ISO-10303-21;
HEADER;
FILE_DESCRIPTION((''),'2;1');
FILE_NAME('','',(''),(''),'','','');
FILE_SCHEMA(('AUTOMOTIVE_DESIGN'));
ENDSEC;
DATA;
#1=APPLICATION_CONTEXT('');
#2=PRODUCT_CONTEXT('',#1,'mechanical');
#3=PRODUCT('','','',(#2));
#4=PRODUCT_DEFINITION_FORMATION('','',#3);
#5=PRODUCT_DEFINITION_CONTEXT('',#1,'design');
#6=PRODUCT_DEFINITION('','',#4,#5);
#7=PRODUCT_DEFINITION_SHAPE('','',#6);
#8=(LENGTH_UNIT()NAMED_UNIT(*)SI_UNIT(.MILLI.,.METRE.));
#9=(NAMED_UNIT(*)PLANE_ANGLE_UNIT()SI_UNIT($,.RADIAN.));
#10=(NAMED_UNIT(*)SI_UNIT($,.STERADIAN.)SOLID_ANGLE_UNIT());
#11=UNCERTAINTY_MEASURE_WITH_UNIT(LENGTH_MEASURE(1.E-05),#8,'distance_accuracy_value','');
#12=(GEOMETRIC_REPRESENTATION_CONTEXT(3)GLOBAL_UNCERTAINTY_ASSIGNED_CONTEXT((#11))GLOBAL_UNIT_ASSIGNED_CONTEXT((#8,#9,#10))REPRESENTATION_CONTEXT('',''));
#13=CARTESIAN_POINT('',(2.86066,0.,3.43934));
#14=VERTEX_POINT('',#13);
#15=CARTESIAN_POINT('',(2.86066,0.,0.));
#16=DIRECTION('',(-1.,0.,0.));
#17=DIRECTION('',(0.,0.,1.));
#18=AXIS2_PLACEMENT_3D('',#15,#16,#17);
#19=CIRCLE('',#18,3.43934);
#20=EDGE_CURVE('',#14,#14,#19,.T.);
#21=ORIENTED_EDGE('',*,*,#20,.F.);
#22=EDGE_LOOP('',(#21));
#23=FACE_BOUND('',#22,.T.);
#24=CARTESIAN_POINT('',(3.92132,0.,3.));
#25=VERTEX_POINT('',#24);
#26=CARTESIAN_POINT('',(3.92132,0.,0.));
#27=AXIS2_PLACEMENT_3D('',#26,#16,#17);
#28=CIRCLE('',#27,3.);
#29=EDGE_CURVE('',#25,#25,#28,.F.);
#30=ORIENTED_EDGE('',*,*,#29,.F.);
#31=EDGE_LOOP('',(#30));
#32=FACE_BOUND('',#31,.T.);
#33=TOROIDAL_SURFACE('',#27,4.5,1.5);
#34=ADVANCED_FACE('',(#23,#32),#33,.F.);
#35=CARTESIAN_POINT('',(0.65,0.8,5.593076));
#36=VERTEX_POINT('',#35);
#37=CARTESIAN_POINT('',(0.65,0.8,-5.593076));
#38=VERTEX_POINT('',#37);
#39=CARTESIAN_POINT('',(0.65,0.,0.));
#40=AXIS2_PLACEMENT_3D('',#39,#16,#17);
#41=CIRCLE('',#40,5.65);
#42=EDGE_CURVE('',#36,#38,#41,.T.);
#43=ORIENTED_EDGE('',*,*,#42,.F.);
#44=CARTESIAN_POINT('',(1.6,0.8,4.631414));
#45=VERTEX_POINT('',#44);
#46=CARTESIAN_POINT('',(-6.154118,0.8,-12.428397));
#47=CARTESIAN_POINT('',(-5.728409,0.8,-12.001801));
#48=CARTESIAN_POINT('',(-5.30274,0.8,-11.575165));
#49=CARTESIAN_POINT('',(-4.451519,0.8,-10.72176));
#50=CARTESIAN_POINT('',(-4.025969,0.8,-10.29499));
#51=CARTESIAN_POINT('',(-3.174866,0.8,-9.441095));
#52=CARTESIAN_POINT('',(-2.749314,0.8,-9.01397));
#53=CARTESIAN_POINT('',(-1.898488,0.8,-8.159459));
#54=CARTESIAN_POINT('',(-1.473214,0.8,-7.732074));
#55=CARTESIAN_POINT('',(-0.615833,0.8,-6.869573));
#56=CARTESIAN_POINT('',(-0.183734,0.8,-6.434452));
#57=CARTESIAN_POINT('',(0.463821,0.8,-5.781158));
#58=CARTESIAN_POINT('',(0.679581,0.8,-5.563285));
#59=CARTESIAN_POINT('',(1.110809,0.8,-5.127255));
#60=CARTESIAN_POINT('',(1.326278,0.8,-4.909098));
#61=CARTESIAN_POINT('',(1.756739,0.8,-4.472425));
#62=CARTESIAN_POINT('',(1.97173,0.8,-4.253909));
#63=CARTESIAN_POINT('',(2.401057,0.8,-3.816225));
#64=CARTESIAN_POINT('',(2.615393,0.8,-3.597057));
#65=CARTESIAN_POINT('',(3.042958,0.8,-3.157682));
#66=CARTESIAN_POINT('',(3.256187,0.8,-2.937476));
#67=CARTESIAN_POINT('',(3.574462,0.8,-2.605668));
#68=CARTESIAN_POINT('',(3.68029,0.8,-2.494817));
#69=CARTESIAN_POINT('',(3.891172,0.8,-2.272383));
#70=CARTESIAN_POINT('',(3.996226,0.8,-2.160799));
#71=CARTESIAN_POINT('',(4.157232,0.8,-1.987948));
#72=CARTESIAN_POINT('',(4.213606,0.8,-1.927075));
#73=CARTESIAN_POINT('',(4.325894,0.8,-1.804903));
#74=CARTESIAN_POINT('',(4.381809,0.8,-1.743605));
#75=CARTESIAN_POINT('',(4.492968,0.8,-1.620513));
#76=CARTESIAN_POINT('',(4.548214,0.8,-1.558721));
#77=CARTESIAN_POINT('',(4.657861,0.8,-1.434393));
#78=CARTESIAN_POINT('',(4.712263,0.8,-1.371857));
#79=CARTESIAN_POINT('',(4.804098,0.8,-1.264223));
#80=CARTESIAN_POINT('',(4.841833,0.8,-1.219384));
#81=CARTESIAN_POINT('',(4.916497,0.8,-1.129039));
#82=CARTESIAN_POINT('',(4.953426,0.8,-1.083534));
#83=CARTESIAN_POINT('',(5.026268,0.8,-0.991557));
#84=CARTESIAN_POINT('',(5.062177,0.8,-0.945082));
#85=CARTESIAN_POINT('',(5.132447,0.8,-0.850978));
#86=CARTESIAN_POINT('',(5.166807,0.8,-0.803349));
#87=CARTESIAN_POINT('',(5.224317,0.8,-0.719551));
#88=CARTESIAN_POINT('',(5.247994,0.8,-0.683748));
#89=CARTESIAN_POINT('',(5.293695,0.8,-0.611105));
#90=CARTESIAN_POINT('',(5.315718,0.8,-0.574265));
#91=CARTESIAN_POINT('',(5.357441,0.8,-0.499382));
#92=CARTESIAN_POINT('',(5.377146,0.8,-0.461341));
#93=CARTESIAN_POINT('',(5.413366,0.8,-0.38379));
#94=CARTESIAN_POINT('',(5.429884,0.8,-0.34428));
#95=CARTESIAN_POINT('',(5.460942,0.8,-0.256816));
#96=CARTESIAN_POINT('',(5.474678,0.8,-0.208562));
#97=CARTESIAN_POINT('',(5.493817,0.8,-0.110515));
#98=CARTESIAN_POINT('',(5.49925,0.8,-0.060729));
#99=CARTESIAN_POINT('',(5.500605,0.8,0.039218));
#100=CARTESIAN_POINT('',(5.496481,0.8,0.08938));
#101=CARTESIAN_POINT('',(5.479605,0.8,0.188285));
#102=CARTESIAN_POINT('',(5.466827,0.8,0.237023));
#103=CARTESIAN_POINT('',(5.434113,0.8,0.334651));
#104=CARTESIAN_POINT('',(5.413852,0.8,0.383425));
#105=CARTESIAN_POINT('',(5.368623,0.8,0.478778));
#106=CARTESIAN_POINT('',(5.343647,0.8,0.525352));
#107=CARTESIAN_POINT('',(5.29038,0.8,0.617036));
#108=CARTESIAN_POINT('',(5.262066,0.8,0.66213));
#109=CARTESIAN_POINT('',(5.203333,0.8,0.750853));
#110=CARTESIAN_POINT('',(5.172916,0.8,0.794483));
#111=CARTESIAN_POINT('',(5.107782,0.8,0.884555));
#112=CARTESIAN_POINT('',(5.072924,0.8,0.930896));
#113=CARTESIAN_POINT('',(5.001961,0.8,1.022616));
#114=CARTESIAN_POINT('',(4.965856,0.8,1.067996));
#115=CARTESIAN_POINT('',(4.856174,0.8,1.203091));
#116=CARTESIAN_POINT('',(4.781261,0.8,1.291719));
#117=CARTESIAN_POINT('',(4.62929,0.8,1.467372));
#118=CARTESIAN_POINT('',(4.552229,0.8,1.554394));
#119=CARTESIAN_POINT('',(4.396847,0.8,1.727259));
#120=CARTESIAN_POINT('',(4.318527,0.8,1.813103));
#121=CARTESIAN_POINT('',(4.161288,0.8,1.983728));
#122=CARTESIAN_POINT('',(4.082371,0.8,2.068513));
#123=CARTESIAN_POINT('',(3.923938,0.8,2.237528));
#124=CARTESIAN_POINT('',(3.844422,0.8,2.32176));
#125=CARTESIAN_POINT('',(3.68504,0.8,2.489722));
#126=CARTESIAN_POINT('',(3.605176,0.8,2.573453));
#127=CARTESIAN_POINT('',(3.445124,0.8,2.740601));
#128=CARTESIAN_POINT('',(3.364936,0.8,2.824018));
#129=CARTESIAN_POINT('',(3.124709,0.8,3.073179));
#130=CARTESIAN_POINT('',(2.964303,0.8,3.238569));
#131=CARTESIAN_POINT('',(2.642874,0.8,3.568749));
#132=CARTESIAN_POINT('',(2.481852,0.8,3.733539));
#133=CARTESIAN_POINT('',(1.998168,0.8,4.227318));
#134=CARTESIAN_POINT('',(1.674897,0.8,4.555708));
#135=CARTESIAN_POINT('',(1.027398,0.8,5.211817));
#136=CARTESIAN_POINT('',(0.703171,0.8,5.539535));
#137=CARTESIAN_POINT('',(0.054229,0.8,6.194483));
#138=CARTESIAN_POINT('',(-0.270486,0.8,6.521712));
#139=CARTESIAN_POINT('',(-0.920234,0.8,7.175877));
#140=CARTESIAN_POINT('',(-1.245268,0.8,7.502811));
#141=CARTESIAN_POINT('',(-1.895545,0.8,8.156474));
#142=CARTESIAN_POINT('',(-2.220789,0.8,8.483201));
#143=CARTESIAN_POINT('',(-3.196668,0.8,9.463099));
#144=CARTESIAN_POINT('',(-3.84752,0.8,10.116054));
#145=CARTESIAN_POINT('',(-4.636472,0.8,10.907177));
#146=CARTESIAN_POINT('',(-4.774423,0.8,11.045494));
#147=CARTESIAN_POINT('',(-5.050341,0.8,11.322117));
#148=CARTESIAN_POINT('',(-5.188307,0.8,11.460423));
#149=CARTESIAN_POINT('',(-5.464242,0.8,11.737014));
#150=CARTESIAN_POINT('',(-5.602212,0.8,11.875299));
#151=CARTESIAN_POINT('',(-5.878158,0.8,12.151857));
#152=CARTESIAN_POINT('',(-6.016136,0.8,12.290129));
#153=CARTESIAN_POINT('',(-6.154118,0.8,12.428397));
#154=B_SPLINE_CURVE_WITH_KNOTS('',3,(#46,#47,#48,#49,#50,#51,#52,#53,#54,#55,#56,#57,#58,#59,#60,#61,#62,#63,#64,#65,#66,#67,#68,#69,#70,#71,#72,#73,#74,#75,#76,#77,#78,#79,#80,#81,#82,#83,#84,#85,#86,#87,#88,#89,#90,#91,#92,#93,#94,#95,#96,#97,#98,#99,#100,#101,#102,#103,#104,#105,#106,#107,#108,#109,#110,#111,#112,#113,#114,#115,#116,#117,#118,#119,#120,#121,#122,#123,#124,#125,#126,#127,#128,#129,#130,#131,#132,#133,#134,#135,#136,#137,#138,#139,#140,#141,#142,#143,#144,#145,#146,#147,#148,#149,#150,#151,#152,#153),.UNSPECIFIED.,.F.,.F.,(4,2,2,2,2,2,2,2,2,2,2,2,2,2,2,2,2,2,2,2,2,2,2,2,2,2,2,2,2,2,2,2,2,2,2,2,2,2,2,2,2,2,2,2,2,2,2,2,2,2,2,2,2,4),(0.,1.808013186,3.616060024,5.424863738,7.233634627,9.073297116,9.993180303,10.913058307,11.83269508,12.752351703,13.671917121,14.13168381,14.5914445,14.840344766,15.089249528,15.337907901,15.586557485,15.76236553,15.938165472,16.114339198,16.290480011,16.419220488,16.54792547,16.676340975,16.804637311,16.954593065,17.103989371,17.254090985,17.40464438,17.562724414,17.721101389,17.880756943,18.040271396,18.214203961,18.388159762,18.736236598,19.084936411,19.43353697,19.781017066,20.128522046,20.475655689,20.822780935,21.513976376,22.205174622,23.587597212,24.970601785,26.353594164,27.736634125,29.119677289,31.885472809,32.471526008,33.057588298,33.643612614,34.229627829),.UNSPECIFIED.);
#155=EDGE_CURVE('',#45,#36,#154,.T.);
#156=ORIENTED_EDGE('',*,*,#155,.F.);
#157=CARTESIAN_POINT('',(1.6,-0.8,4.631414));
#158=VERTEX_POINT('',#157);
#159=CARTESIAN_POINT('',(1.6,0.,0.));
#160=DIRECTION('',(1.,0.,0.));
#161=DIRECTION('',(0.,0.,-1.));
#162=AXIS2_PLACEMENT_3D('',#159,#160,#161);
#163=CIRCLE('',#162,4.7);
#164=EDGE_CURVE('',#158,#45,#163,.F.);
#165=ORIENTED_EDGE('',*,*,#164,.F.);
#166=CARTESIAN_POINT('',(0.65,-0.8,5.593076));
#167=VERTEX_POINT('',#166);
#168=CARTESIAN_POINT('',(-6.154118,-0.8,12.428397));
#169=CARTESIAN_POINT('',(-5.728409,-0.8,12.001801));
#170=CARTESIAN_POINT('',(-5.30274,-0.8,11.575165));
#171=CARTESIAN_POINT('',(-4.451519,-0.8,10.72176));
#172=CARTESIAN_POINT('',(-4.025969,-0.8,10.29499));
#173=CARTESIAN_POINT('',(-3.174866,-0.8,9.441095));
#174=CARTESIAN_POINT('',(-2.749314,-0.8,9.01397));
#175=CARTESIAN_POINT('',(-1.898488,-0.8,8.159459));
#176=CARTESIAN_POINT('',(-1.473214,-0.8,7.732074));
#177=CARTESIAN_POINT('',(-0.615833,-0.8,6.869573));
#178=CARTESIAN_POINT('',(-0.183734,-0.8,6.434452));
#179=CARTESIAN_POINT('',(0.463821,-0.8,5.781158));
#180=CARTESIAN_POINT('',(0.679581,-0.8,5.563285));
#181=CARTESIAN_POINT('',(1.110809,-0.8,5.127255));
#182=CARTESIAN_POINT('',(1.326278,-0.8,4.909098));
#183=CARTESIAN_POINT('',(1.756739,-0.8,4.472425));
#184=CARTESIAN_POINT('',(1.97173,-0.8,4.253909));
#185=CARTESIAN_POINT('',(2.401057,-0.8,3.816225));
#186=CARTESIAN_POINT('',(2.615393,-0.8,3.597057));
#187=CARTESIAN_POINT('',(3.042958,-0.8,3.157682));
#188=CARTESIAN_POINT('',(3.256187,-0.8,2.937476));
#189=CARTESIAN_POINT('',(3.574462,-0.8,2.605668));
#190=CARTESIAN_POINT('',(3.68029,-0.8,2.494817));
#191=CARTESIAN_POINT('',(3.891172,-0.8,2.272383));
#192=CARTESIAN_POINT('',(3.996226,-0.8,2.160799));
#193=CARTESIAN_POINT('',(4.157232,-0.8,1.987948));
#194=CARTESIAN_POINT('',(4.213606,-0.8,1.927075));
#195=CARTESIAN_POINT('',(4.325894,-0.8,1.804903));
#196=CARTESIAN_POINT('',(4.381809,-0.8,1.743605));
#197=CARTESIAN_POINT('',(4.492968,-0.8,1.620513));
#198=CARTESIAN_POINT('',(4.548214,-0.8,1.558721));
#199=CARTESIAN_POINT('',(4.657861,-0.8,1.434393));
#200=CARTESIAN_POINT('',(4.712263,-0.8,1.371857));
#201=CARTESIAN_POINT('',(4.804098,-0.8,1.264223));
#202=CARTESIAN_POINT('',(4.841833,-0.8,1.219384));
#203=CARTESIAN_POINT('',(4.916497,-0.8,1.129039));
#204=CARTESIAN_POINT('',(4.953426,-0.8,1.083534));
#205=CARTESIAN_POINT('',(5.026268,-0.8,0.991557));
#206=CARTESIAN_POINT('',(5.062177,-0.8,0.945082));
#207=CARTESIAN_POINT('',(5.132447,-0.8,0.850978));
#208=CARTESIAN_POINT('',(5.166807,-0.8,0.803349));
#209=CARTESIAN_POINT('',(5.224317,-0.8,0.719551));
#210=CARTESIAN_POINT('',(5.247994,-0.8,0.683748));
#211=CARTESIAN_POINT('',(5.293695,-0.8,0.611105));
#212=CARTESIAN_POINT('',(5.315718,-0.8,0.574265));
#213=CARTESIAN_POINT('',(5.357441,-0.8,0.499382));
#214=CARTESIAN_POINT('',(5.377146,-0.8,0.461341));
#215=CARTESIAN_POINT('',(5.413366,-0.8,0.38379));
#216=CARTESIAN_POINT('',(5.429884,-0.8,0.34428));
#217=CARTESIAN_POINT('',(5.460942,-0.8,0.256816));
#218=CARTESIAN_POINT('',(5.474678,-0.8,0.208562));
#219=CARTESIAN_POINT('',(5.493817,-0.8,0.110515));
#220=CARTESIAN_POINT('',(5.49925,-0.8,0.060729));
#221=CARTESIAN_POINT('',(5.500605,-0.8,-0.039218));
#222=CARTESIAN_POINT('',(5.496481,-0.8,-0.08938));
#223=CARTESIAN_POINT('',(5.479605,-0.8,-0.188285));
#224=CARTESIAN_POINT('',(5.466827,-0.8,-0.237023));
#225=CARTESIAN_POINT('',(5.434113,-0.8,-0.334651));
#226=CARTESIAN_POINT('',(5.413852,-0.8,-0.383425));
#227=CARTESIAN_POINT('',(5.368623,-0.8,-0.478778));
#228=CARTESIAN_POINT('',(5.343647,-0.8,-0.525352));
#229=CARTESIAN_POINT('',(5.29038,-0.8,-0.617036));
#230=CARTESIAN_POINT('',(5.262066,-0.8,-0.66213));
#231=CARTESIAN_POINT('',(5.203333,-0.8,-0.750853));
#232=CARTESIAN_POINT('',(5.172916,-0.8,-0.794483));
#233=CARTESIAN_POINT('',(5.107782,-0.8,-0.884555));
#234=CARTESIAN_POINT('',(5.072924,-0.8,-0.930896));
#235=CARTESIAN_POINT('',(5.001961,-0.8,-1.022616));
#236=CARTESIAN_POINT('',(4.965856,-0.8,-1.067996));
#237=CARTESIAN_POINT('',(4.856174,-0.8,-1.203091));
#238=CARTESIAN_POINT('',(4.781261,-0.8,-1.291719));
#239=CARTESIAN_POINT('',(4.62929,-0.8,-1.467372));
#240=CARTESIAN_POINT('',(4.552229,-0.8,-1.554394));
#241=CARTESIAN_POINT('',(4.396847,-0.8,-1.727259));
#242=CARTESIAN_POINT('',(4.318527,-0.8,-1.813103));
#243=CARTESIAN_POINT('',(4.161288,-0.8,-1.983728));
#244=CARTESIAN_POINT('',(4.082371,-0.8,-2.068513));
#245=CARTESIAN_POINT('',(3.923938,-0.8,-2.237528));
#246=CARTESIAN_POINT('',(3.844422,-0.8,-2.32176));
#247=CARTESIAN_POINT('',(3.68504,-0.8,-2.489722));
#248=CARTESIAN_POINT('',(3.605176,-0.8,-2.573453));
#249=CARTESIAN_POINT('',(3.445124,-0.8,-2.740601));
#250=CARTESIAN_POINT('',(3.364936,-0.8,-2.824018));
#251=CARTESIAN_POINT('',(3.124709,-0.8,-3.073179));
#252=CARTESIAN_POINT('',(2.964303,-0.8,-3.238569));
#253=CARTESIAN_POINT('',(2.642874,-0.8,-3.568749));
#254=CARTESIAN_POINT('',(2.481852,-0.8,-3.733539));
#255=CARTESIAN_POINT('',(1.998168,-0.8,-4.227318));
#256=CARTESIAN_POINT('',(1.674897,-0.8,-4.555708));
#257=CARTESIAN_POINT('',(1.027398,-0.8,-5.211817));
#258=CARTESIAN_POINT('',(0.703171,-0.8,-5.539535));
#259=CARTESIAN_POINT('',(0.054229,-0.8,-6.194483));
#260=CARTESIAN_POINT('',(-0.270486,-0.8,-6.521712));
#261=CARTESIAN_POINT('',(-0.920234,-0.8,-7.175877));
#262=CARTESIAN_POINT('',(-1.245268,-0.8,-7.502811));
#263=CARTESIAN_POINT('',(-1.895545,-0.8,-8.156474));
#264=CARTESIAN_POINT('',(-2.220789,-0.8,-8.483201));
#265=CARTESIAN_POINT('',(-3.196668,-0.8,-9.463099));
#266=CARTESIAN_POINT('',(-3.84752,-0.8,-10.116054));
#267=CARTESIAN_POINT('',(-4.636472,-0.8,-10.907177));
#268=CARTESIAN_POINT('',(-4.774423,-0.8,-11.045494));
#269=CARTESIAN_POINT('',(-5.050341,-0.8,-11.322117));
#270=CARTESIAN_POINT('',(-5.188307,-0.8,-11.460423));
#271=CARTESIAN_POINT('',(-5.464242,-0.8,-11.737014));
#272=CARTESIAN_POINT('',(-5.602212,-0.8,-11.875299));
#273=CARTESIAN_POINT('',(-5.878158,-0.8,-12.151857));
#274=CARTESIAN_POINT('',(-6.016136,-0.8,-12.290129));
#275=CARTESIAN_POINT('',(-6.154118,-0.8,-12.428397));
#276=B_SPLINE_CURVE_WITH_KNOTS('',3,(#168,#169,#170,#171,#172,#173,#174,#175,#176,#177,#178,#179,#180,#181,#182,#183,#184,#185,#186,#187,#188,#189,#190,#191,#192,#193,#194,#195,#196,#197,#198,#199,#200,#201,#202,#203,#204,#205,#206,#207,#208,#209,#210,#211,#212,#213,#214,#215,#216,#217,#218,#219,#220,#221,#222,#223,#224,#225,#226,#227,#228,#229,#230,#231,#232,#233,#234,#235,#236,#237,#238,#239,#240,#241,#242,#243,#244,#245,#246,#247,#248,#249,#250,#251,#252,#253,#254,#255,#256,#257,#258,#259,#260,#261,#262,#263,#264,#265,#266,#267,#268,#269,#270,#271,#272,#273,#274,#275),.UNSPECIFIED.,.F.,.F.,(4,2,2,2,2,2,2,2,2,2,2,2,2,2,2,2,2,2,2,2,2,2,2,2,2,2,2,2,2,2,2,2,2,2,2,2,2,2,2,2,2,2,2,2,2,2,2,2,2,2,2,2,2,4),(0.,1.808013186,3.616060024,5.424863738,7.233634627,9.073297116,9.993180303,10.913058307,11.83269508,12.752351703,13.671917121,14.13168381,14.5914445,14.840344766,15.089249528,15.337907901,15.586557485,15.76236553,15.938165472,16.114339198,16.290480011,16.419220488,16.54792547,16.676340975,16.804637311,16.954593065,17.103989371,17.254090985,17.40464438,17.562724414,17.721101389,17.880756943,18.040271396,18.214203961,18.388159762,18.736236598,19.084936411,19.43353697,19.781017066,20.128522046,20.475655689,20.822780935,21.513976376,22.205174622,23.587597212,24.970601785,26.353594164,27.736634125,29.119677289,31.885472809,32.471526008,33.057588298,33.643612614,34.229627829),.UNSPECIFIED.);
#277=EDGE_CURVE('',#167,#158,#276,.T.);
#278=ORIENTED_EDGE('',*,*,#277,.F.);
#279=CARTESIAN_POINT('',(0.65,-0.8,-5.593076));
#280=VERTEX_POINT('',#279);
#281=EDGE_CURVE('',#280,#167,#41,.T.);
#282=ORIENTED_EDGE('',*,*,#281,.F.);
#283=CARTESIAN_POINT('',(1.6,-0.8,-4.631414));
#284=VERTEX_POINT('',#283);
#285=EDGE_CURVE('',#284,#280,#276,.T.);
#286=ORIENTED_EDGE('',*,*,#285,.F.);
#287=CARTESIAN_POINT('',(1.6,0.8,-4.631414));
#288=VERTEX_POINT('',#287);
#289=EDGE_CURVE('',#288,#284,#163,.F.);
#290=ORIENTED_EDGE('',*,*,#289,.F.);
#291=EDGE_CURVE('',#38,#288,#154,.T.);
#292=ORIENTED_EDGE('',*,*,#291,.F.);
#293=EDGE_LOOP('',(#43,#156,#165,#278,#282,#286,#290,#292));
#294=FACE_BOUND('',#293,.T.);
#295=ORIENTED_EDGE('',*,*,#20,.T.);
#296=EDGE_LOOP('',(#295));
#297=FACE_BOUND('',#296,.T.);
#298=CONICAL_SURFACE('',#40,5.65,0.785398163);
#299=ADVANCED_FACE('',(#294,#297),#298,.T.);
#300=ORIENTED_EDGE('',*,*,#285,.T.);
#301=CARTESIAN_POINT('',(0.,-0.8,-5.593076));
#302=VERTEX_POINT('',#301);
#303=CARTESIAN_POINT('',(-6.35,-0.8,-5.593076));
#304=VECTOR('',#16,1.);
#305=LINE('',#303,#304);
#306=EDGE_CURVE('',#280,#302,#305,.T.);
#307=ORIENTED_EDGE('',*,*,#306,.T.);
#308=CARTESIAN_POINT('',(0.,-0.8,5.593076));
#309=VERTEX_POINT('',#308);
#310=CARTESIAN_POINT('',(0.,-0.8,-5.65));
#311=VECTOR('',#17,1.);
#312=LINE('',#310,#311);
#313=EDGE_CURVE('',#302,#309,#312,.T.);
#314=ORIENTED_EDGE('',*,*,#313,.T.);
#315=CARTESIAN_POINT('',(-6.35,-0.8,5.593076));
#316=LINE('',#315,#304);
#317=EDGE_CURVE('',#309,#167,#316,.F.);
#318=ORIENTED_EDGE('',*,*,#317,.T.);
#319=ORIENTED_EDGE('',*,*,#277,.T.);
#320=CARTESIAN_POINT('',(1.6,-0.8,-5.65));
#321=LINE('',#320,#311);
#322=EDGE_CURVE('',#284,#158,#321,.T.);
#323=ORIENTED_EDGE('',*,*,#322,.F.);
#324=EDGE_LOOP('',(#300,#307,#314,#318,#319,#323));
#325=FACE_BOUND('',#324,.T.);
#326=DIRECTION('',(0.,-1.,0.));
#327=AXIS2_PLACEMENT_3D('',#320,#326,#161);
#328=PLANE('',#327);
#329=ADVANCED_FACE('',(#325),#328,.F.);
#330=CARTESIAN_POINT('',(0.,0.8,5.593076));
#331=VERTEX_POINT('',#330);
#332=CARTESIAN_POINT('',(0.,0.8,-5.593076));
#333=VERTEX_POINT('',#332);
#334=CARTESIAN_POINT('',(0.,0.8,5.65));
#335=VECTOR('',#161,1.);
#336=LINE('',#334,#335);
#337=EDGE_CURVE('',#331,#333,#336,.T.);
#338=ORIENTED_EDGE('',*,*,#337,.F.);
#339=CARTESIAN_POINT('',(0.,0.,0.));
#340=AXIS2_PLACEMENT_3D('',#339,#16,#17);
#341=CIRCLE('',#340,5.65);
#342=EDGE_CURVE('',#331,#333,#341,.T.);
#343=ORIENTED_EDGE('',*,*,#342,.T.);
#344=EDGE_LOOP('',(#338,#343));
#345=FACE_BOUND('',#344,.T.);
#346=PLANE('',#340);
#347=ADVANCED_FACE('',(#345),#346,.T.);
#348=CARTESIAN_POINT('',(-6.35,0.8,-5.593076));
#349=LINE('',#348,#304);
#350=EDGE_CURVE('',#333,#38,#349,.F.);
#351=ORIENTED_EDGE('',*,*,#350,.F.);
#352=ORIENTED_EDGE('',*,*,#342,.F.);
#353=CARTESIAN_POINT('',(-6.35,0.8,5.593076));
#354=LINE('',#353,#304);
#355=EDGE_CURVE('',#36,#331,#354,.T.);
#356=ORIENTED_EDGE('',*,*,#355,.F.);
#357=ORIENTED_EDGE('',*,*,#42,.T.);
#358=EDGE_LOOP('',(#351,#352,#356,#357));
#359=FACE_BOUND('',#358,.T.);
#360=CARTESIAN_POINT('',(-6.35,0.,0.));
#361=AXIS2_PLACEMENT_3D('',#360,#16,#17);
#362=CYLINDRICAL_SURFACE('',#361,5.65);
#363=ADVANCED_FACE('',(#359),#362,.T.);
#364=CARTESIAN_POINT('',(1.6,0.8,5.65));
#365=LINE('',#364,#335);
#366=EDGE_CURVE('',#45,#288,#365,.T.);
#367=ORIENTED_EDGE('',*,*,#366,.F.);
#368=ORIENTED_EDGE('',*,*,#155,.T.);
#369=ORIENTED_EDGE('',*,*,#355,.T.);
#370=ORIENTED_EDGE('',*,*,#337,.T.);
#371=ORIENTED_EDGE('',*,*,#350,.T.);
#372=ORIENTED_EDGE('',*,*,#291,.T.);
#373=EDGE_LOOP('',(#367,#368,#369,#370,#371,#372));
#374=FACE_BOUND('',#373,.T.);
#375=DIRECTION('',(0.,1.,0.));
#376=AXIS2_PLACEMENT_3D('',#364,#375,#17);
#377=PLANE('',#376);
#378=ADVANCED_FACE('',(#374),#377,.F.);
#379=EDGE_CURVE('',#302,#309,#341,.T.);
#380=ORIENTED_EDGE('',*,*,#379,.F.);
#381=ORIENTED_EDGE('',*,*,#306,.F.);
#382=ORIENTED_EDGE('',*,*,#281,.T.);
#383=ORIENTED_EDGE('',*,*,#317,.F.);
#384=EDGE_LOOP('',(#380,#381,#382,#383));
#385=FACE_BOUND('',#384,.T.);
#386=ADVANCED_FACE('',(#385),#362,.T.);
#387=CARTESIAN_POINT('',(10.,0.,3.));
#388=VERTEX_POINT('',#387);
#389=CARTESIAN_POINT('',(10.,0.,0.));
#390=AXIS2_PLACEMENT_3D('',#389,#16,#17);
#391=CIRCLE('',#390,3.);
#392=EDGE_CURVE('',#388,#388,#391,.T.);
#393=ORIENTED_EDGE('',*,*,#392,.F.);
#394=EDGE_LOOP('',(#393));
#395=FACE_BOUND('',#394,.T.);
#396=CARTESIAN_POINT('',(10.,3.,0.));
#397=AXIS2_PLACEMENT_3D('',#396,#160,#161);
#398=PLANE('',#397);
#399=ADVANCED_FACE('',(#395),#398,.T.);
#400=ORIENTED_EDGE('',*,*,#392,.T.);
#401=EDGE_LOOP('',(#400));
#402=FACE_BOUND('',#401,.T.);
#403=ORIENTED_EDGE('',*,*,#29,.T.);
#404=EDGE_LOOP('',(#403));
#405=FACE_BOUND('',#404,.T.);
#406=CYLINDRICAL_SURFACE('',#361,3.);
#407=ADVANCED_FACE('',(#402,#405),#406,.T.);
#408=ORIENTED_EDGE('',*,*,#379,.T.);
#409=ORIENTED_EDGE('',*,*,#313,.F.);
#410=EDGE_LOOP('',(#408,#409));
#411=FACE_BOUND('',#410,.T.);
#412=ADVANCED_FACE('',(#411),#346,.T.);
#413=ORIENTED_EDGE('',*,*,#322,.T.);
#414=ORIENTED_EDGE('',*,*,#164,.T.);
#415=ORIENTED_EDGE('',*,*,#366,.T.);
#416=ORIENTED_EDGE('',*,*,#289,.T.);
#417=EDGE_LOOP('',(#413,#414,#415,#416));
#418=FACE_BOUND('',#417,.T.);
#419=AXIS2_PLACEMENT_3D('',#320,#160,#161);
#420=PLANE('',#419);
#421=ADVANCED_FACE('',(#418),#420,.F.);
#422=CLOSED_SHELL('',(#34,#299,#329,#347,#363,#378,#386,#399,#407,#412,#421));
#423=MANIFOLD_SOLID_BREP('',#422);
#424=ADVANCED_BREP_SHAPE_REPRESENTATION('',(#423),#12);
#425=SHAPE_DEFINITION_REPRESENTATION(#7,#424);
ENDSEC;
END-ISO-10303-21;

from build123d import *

# Parameters (mm, degrees)
FILLET1_R  = 1.5
SKETCH2_W  = 11.3
SKETCH2_H  = 1.6
SLOT_DEPTH = 1.6


with BuildPart() as part:
    # BodySke → Base-Revolve (revolve)
    with BuildSketch(Plane.XY, mode=Mode.PRIVATE) as base_revolve_sk:
        Polygon((0, 0), (0, 5.65), (0.65, 5.65), (3.3, 3), (10, 3), (10, 0), align=None)
    revolve(base_revolve_sk.sketch.rotate(Axis((-6.35, 0, 0), (1, 0, 0)), 90), axis=Axis((-6.35, 0, 0), (1, 0, 0)))  # turned: the seam where the file's is

    # Fillet1
    fillet1_edges = [part.edges().sort_by_distance(p)[0] for p in [
        (3.3, 0, -3),
    ]]
    fillet(fillet1_edges, radius=FILLET1_R)

    # Sketch2 → Slot (cut)
    with BuildSketch(Plane.ZY):
        Rectangle(SKETCH2_W, SKETCH2_H)
    extrude(amount=-SLOT_DEPTH, mode=Mode.SUBTRACT)


solid = part.part
